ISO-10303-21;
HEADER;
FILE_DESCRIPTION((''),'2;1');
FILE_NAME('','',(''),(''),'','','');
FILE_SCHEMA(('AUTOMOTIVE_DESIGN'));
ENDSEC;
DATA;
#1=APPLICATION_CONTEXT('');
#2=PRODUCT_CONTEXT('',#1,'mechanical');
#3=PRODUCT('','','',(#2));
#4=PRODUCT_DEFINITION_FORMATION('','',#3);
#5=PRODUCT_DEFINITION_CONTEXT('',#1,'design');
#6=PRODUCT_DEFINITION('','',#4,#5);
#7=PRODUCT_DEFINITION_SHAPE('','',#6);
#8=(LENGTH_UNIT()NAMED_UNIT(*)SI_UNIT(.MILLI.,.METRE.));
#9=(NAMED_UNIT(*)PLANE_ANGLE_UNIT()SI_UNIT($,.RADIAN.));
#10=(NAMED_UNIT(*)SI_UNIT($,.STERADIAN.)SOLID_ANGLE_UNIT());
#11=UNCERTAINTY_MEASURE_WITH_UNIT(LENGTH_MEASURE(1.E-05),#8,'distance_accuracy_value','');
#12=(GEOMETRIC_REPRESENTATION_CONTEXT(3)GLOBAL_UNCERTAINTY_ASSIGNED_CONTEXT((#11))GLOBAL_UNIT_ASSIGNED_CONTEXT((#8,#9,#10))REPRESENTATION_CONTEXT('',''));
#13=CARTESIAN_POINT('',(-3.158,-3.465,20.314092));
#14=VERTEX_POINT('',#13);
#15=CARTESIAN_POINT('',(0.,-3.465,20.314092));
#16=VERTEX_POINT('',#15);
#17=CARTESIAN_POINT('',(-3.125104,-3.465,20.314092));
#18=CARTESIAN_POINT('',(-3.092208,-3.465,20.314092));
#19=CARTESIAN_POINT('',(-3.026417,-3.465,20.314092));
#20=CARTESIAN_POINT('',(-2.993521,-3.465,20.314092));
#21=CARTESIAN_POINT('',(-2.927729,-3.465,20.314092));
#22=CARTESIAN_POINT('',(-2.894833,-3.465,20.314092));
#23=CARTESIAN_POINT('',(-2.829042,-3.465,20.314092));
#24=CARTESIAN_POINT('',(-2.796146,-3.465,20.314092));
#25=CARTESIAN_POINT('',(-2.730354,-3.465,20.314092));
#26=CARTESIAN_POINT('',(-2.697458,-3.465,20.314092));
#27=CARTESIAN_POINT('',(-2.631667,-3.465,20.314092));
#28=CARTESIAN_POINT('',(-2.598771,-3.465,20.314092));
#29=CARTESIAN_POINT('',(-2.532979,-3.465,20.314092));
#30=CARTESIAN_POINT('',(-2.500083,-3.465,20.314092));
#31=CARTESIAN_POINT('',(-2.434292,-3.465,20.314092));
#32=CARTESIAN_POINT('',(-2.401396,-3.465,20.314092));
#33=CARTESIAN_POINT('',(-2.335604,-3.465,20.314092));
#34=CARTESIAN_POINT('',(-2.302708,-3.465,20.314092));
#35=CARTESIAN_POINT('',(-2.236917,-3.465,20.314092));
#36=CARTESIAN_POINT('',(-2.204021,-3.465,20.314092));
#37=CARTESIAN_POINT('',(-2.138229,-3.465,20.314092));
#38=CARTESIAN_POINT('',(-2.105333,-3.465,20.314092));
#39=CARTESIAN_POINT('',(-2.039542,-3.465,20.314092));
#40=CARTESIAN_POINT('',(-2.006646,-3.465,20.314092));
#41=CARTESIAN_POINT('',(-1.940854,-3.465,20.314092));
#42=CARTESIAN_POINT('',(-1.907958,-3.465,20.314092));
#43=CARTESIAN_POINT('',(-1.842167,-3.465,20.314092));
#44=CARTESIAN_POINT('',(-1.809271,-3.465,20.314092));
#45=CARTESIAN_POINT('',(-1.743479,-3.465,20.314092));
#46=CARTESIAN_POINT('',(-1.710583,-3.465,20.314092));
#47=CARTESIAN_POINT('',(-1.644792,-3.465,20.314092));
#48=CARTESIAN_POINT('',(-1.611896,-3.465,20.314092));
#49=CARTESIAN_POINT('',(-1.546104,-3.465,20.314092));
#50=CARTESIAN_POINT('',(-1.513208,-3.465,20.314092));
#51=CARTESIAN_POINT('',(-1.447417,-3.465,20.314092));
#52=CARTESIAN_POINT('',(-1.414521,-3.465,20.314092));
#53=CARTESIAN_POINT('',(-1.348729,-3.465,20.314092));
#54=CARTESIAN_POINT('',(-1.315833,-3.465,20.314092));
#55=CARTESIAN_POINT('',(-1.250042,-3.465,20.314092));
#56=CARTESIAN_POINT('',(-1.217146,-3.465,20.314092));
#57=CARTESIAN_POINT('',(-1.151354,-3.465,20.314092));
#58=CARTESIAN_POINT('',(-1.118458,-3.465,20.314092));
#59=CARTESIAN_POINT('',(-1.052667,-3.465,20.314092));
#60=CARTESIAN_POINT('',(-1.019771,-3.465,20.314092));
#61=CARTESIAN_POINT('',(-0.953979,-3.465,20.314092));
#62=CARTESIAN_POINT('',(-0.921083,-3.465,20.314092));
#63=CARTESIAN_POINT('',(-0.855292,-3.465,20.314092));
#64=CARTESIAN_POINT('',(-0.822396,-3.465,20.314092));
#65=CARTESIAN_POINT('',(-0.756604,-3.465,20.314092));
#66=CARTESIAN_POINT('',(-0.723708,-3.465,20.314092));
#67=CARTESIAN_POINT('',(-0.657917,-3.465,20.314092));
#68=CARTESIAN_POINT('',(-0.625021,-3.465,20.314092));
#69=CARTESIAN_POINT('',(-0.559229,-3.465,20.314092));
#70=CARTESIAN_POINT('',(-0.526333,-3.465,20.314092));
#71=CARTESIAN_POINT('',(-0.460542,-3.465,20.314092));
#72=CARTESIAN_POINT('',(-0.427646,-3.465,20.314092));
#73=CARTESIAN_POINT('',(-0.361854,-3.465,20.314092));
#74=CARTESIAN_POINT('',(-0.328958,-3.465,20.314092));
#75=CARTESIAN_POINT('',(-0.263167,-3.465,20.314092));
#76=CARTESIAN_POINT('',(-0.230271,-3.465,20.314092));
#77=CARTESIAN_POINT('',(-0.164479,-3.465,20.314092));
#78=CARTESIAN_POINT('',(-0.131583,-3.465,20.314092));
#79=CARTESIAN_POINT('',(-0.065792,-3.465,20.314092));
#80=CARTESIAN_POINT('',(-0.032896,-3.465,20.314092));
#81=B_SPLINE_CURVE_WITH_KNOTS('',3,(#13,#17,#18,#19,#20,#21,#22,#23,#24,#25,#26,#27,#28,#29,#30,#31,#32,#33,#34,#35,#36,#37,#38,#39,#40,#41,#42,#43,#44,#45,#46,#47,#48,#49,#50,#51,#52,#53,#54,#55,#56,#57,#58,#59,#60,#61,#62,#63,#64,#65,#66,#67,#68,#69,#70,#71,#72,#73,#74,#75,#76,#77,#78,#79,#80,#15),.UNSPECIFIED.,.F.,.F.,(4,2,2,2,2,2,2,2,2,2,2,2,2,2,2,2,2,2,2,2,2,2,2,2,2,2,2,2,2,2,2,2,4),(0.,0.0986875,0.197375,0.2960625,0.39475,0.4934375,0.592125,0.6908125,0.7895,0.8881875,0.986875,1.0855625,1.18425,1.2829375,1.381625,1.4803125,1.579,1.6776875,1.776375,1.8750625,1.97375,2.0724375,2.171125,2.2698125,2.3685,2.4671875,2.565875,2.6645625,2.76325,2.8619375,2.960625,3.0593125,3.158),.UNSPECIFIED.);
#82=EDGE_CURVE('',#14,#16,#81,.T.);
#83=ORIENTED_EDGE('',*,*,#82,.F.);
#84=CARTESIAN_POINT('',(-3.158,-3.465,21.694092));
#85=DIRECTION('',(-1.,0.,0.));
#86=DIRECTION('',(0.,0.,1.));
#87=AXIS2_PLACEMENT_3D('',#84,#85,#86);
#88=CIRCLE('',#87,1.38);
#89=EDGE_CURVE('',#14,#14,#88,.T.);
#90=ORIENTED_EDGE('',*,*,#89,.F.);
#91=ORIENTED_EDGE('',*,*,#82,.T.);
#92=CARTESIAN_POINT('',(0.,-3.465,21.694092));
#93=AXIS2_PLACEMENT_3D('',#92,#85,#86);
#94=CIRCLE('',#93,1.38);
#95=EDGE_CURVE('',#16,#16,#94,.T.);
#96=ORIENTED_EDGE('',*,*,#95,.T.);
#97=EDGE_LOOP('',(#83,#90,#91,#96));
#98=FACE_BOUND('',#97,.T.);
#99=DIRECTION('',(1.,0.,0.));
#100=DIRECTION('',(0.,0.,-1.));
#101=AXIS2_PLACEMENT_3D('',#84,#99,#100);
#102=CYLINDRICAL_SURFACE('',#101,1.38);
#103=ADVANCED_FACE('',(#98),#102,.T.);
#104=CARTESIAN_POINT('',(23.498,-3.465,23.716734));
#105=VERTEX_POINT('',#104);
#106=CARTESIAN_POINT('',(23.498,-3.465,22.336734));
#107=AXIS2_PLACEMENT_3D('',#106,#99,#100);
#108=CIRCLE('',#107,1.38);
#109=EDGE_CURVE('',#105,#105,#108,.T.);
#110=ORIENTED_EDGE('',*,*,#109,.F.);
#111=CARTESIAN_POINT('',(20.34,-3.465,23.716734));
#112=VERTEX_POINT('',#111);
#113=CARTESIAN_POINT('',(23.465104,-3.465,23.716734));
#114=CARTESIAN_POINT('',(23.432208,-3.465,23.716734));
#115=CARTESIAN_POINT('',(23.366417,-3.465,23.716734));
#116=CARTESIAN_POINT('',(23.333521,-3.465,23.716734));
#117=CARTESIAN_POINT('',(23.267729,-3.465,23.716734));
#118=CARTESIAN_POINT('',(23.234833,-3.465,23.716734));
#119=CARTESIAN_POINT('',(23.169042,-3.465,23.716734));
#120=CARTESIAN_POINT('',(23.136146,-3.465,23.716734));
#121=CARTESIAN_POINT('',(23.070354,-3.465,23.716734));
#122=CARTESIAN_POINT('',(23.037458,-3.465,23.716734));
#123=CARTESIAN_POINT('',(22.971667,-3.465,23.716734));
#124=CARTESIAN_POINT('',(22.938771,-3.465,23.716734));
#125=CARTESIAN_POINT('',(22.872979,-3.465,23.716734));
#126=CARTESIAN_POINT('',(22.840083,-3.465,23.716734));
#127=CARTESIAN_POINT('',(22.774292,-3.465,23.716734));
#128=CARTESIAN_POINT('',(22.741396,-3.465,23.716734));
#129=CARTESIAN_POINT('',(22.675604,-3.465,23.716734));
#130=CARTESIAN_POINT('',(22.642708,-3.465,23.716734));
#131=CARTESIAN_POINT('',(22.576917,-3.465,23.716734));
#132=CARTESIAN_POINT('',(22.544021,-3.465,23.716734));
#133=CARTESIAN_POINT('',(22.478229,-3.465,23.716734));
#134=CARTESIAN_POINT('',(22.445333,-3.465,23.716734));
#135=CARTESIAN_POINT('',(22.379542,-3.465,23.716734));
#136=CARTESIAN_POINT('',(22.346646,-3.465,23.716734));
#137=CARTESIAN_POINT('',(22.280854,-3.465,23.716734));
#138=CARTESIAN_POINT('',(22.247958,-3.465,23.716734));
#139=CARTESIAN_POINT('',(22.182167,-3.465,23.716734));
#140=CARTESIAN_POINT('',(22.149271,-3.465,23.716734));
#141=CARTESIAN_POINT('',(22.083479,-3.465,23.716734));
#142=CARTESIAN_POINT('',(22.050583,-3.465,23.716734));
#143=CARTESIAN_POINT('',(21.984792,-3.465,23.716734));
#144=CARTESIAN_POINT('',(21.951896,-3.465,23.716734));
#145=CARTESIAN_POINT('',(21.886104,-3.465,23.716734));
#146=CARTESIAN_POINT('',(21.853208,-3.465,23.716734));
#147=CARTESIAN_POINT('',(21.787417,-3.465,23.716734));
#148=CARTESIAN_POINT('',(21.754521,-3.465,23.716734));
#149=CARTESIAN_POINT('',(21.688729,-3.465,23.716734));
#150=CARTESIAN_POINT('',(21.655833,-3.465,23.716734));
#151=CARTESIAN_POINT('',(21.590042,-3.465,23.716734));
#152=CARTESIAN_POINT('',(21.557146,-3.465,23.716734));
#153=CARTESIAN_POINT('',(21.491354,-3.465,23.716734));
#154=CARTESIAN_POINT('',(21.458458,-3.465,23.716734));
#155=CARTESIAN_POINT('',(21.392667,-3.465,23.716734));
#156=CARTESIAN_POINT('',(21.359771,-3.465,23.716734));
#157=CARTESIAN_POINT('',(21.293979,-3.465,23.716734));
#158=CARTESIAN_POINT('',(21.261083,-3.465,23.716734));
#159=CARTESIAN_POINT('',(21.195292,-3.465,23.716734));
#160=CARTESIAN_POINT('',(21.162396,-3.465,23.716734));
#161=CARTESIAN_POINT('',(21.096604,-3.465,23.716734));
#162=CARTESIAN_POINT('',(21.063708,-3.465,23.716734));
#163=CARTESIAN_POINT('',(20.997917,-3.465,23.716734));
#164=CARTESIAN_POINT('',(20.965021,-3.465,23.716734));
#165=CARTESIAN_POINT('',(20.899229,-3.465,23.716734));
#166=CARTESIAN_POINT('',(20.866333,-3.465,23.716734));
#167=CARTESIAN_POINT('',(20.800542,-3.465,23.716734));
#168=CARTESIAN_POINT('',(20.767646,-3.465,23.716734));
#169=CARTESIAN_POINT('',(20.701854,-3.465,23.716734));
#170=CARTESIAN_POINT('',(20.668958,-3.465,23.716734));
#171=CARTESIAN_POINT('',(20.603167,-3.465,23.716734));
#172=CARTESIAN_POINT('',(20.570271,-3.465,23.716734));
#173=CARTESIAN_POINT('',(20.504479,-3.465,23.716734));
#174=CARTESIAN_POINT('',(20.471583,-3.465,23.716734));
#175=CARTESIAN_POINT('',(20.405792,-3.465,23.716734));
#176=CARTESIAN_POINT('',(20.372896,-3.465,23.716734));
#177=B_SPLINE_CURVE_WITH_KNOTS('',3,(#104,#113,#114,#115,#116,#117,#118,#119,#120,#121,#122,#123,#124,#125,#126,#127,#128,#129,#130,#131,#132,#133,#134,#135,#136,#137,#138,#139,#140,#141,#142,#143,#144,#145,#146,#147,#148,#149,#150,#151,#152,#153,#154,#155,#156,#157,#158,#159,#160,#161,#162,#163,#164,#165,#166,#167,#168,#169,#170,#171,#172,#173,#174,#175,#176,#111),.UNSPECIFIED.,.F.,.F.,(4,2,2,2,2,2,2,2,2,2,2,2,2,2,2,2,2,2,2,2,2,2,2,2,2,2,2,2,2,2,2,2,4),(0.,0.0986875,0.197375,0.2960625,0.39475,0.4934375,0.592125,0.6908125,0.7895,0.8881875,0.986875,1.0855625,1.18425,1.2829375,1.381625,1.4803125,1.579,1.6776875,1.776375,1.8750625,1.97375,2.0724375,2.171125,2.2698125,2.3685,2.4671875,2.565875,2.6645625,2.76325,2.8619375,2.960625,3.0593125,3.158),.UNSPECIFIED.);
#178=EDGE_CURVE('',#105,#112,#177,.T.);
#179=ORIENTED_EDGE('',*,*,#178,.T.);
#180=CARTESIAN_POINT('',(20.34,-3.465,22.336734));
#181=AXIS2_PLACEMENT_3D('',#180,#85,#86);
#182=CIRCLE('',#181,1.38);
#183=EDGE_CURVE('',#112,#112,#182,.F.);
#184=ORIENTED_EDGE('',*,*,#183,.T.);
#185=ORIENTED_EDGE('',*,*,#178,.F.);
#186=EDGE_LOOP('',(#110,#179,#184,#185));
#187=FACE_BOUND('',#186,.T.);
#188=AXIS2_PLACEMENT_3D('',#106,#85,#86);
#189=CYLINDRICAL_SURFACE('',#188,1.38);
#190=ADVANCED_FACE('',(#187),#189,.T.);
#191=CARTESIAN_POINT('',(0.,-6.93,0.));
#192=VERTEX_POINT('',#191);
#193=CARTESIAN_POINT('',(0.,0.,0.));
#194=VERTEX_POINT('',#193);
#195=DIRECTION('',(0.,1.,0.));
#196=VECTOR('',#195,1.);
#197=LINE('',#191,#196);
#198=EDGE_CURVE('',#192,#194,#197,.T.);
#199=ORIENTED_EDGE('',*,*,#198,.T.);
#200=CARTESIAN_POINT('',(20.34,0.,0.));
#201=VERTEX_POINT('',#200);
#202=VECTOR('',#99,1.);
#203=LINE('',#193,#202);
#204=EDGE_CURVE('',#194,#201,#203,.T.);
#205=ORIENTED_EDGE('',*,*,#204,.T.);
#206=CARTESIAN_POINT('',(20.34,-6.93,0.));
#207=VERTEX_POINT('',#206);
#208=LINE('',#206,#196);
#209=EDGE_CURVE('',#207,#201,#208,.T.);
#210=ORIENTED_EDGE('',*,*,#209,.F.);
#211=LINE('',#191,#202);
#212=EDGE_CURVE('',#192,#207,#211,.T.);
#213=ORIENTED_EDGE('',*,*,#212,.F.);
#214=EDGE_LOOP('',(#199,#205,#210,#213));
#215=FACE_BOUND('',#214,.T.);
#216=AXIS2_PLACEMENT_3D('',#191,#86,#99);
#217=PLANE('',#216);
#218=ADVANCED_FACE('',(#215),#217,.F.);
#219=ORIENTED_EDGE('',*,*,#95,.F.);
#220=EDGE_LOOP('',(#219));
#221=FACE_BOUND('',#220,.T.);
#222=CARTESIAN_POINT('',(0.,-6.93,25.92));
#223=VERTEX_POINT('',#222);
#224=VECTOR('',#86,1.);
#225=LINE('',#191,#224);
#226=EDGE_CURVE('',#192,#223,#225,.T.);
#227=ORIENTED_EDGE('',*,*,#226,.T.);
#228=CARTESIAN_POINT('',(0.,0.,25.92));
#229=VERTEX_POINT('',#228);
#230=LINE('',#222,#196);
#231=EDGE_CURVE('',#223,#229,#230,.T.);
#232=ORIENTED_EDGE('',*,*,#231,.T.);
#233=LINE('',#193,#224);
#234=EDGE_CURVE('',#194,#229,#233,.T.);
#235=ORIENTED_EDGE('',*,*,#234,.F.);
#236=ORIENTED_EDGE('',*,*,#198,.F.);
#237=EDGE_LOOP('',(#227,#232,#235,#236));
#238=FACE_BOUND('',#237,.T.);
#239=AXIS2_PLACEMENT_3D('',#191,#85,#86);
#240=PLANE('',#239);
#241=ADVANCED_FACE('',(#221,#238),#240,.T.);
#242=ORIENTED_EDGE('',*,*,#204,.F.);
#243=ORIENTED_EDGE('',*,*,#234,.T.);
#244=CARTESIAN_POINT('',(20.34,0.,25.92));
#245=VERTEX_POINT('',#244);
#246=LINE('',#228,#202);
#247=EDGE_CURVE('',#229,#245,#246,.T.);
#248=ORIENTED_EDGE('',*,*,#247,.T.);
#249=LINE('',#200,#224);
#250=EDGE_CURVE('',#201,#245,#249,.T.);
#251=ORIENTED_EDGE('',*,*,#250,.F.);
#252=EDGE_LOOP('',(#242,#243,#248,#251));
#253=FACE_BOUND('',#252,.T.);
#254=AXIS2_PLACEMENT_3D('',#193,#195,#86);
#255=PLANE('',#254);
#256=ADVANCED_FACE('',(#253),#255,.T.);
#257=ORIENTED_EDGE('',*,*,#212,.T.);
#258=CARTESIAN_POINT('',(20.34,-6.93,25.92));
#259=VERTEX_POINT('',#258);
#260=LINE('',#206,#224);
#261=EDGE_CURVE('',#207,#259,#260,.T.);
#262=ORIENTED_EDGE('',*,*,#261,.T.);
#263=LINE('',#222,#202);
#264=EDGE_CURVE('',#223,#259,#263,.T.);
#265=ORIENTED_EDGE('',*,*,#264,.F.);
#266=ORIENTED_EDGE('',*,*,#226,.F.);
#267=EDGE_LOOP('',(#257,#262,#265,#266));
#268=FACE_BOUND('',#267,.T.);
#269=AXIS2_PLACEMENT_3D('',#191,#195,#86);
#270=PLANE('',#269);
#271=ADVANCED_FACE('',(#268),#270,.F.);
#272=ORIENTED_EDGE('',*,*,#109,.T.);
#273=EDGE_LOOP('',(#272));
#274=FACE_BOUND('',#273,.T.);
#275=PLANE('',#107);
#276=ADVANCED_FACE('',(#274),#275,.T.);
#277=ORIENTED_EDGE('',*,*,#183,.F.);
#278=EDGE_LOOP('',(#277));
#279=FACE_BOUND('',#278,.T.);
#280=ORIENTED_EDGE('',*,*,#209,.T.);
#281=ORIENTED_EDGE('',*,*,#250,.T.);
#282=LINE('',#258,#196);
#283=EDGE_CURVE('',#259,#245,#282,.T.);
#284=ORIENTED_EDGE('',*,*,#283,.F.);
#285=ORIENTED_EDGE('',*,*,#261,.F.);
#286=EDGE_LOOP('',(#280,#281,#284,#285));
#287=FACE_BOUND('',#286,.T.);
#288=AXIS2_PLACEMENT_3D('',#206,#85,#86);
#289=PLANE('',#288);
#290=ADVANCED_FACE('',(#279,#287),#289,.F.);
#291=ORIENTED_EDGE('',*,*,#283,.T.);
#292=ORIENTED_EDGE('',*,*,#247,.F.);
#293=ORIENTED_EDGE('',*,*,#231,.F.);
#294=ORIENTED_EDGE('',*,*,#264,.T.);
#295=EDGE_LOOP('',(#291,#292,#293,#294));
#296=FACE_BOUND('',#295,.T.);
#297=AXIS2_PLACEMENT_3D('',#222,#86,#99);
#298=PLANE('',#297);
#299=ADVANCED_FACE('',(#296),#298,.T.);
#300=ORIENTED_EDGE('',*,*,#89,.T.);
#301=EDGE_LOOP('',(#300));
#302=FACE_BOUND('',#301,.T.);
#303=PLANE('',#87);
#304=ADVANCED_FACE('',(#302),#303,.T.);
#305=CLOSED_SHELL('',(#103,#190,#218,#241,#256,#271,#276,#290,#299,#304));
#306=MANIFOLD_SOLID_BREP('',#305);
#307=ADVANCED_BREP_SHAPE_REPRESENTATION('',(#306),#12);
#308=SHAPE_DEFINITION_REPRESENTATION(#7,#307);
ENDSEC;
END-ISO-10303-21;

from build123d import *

# Parameters (mm, degrees)
SKETCH1_W           = 20.34
SKETCH1_H           = 25.92
BOSS_EXTRUDE2_DEPTH = 6.93
SKETCH3_R           = 1.38
BOSS_EXTRUDE3_DEPTH = 3.158
SKETCH6_R           = 1.38
BOSS_EXTRUDE4_DEPTH = 3.158


with BuildPart() as part:
    # Sketch1 → Boss-Extrude2 (new body)
    with BuildSketch(Plane(origin=(0, 0, 0), x_dir=(1, 0, 0), z_dir=(0, 1, 0))):
        with Locations((10.17, -12.96)):
            Rectangle(SKETCH1_W, SKETCH1_H)
    extrude(amount=-BOSS_EXTRUDE2_DEPTH)

    # Sketch3 → Boss-Extrude3 (add)
    with BuildSketch(Plane(origin=(20.34, 0, 0), x_dir=(0, 0, -1), z_dir=(1, 0, 0))):
        with Locations(Location((-22.336733694, -3.465, 0), (0, 0, 180))):
            Circle(SKETCH3_R)
    extrude(amount=BOSS_EXTRUDE3_DEPTH)

    # Sketch6 → Boss-Extrude4 (add)
    with BuildSketch(Plane.ZY):
        with Locations(Location((21.694091509, -3.465, 0), (0, 0, 180))):
            Circle(SKETCH6_R)
    extrude(amount=BOSS_EXTRUDE4_DEPTH)


solid = part.part
